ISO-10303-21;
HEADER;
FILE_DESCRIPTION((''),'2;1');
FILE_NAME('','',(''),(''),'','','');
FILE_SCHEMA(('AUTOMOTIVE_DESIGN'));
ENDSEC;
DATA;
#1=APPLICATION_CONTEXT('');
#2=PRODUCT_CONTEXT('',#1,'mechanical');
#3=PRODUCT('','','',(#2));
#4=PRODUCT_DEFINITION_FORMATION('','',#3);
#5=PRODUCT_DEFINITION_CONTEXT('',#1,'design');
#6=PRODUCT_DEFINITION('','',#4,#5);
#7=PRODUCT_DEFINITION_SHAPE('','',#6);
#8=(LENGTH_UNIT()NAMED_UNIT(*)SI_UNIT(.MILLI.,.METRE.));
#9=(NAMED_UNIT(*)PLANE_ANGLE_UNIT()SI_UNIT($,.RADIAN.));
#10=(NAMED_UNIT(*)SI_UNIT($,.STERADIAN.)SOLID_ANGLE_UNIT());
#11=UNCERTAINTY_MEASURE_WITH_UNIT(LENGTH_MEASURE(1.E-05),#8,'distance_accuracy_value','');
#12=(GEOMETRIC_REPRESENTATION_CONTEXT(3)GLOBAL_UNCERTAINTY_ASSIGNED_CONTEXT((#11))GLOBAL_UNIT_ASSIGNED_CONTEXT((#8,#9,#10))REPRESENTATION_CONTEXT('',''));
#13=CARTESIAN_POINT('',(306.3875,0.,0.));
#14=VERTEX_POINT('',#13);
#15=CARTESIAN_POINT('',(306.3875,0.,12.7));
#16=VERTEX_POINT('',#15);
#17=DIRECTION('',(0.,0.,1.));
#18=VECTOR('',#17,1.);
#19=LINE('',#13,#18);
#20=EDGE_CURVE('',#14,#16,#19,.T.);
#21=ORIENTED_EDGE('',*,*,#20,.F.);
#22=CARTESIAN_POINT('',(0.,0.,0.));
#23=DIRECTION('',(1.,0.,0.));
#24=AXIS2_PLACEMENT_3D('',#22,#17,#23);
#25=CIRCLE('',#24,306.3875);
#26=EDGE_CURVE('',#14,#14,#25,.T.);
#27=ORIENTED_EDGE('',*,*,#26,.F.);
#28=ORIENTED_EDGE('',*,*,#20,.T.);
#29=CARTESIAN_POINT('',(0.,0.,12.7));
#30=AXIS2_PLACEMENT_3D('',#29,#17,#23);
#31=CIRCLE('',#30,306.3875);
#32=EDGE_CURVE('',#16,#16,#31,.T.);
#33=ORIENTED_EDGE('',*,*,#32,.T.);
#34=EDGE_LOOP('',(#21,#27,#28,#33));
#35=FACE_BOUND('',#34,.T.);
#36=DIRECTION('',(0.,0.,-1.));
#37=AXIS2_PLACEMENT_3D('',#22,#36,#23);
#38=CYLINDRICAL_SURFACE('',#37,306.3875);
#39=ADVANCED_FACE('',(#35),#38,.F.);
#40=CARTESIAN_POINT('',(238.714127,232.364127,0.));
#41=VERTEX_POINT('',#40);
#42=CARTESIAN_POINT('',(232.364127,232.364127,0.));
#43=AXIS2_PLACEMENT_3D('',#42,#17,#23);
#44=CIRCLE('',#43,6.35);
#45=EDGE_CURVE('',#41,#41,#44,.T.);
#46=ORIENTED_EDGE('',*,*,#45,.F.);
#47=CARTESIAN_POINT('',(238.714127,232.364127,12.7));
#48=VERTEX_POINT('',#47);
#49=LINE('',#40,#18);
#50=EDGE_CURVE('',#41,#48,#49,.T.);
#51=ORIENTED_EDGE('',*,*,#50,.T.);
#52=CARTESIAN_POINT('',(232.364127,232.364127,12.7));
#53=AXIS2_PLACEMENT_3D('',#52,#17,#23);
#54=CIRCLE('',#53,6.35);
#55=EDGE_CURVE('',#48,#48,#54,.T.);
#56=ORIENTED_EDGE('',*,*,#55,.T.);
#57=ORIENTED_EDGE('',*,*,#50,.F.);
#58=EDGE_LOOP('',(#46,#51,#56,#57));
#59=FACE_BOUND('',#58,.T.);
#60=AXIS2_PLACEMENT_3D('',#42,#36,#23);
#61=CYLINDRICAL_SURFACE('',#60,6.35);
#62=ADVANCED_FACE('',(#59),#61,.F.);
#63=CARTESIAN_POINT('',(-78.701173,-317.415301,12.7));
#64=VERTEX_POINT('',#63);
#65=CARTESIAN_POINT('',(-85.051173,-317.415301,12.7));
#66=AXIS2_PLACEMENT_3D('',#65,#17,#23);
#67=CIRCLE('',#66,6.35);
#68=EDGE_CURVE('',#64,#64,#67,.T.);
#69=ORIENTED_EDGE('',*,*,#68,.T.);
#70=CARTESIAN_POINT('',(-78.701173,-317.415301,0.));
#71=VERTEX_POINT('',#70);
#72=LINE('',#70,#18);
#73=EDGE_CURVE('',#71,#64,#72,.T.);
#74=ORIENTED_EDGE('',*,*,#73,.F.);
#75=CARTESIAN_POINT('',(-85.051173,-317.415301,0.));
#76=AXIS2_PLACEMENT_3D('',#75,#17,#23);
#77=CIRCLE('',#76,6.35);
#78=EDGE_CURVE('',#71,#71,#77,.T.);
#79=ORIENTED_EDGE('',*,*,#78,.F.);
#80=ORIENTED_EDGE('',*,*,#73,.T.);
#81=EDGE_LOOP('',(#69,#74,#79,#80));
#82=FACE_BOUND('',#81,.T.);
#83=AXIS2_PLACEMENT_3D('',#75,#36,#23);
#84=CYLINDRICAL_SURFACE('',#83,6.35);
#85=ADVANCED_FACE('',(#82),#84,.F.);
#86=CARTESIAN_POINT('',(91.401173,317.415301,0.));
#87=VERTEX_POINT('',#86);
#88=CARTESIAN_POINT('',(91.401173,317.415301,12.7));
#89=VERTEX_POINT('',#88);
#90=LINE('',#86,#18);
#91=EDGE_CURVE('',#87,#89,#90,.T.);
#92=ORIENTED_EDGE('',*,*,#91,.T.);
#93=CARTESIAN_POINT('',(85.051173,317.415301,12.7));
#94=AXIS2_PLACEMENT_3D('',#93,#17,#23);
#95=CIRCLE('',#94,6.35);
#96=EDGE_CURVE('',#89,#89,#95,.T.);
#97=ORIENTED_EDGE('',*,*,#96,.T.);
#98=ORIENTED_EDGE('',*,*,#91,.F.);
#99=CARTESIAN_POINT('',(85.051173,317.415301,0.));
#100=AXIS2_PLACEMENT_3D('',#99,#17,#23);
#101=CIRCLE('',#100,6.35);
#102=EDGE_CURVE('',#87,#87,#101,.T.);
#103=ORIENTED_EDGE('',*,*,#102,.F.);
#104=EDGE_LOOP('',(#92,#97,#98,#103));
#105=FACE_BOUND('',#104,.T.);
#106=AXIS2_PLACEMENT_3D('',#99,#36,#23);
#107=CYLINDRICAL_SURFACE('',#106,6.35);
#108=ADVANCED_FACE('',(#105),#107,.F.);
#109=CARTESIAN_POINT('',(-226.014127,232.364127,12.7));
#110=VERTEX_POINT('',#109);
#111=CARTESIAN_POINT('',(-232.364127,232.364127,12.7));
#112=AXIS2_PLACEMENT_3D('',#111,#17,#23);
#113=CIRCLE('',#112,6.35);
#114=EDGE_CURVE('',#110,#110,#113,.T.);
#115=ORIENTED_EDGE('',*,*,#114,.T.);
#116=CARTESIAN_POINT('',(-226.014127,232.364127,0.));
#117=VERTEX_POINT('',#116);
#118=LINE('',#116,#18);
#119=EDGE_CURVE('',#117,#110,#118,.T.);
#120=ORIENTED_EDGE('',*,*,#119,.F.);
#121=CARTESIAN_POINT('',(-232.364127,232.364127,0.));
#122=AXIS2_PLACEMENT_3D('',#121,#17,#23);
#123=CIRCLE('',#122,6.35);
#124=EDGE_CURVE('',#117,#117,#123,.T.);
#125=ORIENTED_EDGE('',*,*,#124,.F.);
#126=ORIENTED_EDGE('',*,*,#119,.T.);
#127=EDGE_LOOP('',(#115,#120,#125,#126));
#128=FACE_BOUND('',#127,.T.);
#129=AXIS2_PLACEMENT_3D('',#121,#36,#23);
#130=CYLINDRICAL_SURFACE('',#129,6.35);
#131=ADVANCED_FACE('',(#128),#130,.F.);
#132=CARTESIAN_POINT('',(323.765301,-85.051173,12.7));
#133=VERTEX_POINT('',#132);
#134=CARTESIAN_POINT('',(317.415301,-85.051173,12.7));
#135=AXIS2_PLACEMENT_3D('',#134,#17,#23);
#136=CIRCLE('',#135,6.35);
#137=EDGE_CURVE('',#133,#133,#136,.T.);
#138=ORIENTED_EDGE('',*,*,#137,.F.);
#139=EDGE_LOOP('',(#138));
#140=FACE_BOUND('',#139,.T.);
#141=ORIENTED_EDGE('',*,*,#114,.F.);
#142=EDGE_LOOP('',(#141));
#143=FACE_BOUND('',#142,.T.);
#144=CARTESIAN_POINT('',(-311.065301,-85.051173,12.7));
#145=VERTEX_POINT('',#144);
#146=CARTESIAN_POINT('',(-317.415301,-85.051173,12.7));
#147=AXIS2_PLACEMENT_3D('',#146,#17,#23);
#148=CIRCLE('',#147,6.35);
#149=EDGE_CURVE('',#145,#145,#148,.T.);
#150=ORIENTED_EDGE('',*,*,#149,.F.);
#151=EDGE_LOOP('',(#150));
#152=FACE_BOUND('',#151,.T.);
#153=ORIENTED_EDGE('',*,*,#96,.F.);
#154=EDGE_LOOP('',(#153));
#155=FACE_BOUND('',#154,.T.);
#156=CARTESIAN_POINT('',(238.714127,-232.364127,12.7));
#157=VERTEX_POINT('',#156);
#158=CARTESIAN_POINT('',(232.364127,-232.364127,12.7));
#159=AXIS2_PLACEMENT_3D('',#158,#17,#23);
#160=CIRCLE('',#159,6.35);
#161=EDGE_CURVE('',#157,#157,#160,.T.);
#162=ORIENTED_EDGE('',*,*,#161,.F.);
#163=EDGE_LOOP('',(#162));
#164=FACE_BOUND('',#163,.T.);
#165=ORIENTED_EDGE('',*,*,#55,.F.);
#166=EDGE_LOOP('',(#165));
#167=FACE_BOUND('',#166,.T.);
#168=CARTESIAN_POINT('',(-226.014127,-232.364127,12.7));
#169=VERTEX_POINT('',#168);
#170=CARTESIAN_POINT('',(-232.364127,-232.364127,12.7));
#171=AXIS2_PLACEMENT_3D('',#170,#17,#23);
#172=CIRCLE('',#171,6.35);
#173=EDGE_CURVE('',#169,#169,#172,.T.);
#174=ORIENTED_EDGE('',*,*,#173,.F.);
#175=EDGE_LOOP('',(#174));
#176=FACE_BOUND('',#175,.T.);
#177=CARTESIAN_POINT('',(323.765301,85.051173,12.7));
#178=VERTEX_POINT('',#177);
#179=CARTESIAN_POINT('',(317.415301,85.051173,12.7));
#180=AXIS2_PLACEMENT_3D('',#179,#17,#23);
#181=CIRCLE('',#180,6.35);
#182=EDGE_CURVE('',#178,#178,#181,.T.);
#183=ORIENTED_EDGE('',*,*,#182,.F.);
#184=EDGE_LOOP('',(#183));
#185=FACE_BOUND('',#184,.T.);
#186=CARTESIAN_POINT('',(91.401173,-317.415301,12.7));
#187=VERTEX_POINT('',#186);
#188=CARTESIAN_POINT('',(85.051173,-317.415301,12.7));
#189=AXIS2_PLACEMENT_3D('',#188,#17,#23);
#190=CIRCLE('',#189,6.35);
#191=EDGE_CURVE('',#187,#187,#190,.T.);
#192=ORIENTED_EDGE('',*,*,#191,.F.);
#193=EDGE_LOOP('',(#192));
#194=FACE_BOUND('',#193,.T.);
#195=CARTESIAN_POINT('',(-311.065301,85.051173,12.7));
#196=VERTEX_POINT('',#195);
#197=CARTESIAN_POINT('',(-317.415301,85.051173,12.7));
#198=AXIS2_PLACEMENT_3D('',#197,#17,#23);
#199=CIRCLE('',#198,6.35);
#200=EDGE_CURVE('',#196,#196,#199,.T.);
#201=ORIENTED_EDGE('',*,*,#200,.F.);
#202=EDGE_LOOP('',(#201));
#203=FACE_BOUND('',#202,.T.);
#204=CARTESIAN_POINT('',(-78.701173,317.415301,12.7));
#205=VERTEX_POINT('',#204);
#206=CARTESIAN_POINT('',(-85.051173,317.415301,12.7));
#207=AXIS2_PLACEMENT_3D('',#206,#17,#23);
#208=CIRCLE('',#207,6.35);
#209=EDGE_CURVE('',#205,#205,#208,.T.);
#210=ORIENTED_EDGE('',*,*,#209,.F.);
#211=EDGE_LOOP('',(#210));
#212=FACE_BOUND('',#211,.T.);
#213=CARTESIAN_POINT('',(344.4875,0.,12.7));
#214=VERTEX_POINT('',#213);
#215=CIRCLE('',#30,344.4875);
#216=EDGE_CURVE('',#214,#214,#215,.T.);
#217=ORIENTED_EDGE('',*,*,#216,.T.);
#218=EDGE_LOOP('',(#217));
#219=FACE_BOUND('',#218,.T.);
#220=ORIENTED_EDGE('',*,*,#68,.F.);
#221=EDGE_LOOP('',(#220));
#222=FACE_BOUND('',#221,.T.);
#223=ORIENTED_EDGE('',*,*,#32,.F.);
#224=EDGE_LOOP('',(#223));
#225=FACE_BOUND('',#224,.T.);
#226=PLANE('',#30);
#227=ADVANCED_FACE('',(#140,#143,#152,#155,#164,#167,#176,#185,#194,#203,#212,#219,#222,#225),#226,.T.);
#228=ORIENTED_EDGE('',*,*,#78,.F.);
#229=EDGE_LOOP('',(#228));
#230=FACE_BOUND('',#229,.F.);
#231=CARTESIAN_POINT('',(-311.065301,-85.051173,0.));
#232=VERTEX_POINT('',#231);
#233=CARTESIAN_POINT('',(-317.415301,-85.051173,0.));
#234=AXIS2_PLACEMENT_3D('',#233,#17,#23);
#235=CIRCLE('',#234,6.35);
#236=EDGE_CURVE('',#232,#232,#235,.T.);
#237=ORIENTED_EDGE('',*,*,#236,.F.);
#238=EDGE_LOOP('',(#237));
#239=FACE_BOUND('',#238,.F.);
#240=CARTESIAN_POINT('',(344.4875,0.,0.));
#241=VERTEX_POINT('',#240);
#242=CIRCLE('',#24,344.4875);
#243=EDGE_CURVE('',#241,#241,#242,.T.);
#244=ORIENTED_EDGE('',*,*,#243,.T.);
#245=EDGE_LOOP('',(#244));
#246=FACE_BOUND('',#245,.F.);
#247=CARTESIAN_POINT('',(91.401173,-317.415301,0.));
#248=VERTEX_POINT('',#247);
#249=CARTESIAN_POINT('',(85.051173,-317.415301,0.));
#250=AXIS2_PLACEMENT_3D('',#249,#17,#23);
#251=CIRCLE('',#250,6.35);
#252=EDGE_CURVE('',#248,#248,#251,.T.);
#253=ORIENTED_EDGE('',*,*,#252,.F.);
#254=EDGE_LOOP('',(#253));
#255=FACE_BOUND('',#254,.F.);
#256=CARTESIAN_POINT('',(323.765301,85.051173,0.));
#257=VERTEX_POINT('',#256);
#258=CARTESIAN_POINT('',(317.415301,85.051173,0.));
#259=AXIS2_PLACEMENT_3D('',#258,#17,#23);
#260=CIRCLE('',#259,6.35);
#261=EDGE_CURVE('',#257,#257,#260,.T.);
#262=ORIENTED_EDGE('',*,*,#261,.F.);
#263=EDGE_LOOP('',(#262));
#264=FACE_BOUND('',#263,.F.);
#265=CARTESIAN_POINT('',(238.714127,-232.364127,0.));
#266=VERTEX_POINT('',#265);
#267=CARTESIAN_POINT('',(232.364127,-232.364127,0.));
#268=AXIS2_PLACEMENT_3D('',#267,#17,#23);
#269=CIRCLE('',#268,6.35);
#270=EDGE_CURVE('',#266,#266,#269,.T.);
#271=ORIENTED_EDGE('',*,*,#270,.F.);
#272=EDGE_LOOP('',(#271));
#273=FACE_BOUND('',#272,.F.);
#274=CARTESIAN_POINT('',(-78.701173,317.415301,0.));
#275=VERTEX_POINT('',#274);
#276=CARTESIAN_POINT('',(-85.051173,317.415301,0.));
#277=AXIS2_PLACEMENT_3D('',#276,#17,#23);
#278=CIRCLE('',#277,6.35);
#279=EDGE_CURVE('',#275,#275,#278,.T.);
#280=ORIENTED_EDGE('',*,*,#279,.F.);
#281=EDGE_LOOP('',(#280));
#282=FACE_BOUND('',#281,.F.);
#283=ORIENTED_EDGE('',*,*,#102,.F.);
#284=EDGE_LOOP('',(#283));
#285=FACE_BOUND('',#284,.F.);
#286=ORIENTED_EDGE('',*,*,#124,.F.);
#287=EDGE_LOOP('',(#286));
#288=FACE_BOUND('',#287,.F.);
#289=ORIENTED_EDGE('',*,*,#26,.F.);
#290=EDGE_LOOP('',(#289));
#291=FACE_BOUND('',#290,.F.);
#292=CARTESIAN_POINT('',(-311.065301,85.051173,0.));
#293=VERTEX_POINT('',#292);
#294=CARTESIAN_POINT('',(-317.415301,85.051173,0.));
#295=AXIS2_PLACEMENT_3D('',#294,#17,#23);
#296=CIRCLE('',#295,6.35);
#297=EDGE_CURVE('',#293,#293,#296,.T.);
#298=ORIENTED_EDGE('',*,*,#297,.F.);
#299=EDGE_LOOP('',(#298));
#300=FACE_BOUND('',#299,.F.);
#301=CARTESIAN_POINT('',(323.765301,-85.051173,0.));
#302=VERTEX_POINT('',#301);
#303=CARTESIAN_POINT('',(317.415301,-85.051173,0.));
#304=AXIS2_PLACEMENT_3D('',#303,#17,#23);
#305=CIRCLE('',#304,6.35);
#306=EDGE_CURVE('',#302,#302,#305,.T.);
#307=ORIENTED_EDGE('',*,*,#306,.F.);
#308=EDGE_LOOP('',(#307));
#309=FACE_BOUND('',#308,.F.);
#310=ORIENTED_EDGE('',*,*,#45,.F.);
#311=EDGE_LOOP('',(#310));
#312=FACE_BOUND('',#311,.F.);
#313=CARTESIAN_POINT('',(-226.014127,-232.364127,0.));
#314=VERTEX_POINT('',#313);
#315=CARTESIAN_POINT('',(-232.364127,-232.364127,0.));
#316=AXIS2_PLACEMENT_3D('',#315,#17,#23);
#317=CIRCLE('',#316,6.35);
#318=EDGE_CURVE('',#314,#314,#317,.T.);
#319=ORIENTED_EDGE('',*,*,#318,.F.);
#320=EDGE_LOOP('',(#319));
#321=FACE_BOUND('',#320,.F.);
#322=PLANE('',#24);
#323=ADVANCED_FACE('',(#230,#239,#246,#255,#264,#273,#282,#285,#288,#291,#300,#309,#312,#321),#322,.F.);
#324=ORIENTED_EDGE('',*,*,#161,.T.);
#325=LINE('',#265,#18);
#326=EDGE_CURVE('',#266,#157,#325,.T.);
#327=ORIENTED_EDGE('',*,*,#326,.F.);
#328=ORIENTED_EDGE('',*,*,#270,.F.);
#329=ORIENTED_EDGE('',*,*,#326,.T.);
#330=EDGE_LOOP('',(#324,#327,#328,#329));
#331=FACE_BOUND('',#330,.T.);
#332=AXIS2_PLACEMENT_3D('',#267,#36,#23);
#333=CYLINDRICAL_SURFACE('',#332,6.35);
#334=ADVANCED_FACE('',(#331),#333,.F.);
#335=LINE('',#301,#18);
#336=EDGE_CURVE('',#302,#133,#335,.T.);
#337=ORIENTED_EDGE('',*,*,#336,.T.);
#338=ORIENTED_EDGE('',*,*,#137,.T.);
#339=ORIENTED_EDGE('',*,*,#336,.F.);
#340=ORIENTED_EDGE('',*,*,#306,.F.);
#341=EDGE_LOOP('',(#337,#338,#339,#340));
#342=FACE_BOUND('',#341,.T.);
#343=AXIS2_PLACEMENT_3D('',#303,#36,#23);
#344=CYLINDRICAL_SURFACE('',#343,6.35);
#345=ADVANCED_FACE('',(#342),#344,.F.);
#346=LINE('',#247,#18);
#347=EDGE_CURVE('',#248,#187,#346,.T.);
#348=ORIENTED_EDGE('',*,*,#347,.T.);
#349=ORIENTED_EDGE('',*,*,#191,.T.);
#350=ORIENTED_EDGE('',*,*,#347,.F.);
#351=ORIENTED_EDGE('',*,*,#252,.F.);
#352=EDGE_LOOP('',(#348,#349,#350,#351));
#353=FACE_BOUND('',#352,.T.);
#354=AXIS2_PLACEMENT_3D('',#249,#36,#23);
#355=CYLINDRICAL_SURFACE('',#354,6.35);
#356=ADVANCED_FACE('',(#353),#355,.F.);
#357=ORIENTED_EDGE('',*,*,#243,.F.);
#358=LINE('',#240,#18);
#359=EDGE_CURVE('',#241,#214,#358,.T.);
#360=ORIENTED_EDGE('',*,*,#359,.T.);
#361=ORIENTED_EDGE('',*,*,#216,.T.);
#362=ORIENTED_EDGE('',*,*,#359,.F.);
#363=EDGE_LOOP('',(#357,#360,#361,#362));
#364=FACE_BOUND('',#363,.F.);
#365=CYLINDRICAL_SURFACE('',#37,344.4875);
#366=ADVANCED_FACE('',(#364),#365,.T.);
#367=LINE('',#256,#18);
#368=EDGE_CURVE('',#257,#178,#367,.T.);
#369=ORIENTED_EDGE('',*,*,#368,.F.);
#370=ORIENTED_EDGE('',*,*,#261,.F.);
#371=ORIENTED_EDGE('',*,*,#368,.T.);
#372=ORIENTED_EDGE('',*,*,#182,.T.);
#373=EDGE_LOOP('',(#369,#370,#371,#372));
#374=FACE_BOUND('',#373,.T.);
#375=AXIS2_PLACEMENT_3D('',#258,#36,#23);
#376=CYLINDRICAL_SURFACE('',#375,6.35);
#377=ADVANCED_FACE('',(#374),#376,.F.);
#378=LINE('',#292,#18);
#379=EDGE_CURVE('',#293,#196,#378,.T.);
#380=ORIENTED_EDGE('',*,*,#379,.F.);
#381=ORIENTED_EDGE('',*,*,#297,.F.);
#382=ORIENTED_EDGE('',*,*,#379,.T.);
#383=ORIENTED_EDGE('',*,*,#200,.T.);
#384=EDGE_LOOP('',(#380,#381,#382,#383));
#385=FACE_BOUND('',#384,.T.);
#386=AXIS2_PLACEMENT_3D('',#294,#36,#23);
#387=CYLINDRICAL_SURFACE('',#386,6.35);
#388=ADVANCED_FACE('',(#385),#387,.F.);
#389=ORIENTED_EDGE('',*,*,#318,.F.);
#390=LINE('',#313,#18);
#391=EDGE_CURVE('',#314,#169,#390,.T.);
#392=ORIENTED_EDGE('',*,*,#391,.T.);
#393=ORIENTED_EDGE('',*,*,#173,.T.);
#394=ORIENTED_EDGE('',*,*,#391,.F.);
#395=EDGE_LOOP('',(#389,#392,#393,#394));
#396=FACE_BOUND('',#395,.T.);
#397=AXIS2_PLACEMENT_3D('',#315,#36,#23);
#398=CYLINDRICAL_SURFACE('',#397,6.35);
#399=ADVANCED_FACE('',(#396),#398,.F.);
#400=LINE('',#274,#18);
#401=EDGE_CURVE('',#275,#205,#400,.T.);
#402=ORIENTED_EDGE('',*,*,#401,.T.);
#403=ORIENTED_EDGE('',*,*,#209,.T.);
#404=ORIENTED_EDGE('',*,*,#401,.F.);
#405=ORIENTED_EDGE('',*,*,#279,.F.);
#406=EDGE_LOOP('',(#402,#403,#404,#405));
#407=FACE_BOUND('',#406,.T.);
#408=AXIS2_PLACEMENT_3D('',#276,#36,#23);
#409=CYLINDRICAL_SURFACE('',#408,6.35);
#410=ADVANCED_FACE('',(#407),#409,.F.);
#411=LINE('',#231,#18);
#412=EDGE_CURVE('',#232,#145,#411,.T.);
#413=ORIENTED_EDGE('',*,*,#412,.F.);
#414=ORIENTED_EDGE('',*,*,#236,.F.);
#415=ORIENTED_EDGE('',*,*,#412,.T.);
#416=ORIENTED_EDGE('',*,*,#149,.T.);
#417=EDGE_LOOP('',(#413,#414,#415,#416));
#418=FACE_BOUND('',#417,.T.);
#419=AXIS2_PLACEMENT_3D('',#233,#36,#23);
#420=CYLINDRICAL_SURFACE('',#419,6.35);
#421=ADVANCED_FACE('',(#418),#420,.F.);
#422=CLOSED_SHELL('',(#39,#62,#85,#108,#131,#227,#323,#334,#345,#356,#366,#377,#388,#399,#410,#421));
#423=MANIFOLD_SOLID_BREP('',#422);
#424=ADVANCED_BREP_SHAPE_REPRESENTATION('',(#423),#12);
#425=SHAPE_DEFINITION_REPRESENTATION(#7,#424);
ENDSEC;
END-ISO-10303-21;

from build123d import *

# Parameters (mm, degrees)
F0_R     = 344.4875
F0_R_2   = 6.35
F0_R_3   = 306.3875
F1_DEPTH = 12.7


with BuildPart() as f1:
    # F0 (on Top) → F1 (new body)
    with BuildSketch(Plane.XY):
        Circle(F0_R)
        with Locations((-232.364127, -232.364127)):
            Circle(F0_R_2, mode=Mode.SUBTRACT)
        with Locations((-85.051173, -317.415301)):
            Circle(F0_R_2, mode=Mode.SUBTRACT)
        with Locations((-317.415301, -85.051173)):
            Circle(F0_R_2, mode=Mode.SUBTRACT)
        with Locations((85.051173, -317.415301)):
            Circle(F0_R_2, mode=Mode.SUBTRACT)
        with Locations((232.364127, -232.364127)):
            Circle(F0_R_2, mode=Mode.SUBTRACT)
        with Locations((317.415301, -85.051173)):
            Circle(F0_R_2, mode=Mode.SUBTRACT)
        with Locations((-317.415301, 85.051173)):
            Circle(F0_R_2, mode=Mode.SUBTRACT)
        with Locations((-232.364127, 232.364127)):
            Circle(F0_R_2, mode=Mode.SUBTRACT)
        with Locations((-85.051173, 317.415301)):
            Circle(F0_R_2, mode=Mode.SUBTRACT)
        Circle(F0_R_3, mode=Mode.SUBTRACT)
        with Locations((317.415301, 85.051173)):
            Circle(F0_R_2, mode=Mode.SUBTRACT)
        with Locations((85.051173, 317.415301)):
            Circle(F0_R_2, mode=Mode.SUBTRACT)
        with Locations((232.364127, 232.364127)):
            Circle(F0_R_2, mode=Mode.SUBTRACT)
    extrude(amount=F1_DEPTH)


solid = f1.part
